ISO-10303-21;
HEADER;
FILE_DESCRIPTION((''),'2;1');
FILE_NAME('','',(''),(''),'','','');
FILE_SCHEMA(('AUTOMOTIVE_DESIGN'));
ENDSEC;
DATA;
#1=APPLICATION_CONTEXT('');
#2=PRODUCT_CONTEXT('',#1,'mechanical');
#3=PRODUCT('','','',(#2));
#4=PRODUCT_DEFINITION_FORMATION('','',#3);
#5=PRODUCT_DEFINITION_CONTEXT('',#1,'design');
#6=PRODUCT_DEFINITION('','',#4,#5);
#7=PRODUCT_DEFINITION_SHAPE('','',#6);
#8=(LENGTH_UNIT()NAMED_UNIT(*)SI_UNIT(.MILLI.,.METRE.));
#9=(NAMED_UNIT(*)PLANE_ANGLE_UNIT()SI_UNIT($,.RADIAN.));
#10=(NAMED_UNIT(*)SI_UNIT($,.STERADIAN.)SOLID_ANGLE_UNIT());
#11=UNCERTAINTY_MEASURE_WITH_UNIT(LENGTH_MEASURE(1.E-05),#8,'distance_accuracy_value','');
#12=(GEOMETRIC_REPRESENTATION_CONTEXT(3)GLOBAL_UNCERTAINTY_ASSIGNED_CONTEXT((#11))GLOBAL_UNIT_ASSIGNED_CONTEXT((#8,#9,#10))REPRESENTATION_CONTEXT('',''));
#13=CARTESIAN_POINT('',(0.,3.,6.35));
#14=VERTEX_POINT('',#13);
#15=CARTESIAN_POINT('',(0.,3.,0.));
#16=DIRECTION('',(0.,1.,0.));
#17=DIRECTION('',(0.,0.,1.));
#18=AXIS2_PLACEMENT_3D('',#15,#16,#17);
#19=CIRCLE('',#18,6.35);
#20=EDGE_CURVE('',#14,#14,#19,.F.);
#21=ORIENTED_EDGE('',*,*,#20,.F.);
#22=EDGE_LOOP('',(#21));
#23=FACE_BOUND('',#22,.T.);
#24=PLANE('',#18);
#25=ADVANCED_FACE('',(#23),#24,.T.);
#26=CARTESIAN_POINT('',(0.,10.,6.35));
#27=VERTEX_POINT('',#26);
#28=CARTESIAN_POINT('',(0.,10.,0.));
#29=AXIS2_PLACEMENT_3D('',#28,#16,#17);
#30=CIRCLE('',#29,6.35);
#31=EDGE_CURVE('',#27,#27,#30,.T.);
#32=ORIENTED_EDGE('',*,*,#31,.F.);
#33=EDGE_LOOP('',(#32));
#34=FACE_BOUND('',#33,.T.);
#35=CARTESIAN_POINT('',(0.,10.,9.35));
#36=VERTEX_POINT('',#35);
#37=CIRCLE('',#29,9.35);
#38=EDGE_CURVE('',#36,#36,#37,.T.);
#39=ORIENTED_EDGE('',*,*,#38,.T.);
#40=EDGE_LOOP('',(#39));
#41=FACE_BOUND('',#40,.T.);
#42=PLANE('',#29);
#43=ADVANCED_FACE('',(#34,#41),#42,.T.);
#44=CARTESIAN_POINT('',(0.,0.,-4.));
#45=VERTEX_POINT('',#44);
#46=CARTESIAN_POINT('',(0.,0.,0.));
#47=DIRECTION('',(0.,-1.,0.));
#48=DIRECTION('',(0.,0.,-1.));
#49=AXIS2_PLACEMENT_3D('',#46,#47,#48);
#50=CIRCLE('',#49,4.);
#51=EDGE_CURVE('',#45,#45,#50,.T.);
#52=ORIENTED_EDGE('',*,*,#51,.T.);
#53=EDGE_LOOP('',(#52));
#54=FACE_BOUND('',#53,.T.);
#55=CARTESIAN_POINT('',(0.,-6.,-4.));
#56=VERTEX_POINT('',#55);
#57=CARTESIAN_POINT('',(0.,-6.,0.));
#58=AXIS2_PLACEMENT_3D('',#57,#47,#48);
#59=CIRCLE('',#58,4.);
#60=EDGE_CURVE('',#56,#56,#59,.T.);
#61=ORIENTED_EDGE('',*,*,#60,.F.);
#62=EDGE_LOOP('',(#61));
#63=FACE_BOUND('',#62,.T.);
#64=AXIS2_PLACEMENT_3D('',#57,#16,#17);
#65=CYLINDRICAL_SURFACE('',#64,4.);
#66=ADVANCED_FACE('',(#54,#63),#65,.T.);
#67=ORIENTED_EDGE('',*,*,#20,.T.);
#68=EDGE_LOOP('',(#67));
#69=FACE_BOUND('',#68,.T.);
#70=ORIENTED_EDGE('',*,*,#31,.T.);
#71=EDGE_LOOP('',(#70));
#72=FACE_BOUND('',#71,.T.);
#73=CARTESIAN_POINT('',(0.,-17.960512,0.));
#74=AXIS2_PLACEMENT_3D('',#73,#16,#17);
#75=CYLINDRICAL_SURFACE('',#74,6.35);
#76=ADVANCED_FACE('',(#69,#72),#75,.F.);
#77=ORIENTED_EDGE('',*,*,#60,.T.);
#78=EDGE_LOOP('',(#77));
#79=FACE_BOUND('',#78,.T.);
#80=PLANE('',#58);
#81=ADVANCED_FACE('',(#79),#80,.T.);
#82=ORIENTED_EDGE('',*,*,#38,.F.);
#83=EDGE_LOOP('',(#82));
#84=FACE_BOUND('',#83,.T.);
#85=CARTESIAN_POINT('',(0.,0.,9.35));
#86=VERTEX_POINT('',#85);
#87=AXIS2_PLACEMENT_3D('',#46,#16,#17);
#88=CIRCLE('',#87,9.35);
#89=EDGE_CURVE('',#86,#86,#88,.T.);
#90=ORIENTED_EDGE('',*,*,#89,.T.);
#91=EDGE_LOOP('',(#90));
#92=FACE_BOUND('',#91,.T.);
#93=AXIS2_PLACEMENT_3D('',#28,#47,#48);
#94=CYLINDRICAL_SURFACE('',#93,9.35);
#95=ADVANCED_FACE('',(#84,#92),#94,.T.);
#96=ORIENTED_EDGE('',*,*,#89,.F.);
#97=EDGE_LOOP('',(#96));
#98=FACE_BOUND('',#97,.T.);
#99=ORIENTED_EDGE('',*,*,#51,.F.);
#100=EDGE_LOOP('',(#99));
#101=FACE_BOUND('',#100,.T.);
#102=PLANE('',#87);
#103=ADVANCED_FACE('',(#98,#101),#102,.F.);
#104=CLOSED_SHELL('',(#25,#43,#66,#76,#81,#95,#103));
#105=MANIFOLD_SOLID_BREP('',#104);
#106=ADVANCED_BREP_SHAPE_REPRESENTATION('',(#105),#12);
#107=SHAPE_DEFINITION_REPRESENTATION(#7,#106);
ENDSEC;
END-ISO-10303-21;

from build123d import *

# Parameters (mm, degrees)
SKETCH1_R           = 9.35
BOSS_EXTRUDE1_DEPTH = 10
SKETCH2_R           = 6.35
CUT_EXTRUDE1_DEPTH  = 7
SKETCH3_R           = 4
BOSS_EXTRUDE2_DEPTH = 6


with BuildPart() as part:
    # Sketch1 → Boss-Extrude1 (new body)
    with BuildSketch(Plane(origin=(0, 0, 0), x_dir=(1, 0, 0), z_dir=(0, 1, 0))):
        Circle(SKETCH1_R)
    extrude(amount=BOSS_EXTRUDE1_DEPTH)

    # Sketch2 → Cut-Extrude1 (cut)
    with BuildSketch(Plane(origin=(0, 10, 0), x_dir=(1, 0, 0), z_dir=(0, 1, 0))):
        Circle(SKETCH2_R)
    extrude(amount=-CUT_EXTRUDE1_DEPTH, mode=Mode.SUBTRACT)

    # Sketch3 → Boss-Extrude2 (add)
    with BuildSketch(Plane.XZ):
        Circle(SKETCH3_R)
    extrude(amount=BOSS_EXTRUDE2_DEPTH)


solid = part.part
